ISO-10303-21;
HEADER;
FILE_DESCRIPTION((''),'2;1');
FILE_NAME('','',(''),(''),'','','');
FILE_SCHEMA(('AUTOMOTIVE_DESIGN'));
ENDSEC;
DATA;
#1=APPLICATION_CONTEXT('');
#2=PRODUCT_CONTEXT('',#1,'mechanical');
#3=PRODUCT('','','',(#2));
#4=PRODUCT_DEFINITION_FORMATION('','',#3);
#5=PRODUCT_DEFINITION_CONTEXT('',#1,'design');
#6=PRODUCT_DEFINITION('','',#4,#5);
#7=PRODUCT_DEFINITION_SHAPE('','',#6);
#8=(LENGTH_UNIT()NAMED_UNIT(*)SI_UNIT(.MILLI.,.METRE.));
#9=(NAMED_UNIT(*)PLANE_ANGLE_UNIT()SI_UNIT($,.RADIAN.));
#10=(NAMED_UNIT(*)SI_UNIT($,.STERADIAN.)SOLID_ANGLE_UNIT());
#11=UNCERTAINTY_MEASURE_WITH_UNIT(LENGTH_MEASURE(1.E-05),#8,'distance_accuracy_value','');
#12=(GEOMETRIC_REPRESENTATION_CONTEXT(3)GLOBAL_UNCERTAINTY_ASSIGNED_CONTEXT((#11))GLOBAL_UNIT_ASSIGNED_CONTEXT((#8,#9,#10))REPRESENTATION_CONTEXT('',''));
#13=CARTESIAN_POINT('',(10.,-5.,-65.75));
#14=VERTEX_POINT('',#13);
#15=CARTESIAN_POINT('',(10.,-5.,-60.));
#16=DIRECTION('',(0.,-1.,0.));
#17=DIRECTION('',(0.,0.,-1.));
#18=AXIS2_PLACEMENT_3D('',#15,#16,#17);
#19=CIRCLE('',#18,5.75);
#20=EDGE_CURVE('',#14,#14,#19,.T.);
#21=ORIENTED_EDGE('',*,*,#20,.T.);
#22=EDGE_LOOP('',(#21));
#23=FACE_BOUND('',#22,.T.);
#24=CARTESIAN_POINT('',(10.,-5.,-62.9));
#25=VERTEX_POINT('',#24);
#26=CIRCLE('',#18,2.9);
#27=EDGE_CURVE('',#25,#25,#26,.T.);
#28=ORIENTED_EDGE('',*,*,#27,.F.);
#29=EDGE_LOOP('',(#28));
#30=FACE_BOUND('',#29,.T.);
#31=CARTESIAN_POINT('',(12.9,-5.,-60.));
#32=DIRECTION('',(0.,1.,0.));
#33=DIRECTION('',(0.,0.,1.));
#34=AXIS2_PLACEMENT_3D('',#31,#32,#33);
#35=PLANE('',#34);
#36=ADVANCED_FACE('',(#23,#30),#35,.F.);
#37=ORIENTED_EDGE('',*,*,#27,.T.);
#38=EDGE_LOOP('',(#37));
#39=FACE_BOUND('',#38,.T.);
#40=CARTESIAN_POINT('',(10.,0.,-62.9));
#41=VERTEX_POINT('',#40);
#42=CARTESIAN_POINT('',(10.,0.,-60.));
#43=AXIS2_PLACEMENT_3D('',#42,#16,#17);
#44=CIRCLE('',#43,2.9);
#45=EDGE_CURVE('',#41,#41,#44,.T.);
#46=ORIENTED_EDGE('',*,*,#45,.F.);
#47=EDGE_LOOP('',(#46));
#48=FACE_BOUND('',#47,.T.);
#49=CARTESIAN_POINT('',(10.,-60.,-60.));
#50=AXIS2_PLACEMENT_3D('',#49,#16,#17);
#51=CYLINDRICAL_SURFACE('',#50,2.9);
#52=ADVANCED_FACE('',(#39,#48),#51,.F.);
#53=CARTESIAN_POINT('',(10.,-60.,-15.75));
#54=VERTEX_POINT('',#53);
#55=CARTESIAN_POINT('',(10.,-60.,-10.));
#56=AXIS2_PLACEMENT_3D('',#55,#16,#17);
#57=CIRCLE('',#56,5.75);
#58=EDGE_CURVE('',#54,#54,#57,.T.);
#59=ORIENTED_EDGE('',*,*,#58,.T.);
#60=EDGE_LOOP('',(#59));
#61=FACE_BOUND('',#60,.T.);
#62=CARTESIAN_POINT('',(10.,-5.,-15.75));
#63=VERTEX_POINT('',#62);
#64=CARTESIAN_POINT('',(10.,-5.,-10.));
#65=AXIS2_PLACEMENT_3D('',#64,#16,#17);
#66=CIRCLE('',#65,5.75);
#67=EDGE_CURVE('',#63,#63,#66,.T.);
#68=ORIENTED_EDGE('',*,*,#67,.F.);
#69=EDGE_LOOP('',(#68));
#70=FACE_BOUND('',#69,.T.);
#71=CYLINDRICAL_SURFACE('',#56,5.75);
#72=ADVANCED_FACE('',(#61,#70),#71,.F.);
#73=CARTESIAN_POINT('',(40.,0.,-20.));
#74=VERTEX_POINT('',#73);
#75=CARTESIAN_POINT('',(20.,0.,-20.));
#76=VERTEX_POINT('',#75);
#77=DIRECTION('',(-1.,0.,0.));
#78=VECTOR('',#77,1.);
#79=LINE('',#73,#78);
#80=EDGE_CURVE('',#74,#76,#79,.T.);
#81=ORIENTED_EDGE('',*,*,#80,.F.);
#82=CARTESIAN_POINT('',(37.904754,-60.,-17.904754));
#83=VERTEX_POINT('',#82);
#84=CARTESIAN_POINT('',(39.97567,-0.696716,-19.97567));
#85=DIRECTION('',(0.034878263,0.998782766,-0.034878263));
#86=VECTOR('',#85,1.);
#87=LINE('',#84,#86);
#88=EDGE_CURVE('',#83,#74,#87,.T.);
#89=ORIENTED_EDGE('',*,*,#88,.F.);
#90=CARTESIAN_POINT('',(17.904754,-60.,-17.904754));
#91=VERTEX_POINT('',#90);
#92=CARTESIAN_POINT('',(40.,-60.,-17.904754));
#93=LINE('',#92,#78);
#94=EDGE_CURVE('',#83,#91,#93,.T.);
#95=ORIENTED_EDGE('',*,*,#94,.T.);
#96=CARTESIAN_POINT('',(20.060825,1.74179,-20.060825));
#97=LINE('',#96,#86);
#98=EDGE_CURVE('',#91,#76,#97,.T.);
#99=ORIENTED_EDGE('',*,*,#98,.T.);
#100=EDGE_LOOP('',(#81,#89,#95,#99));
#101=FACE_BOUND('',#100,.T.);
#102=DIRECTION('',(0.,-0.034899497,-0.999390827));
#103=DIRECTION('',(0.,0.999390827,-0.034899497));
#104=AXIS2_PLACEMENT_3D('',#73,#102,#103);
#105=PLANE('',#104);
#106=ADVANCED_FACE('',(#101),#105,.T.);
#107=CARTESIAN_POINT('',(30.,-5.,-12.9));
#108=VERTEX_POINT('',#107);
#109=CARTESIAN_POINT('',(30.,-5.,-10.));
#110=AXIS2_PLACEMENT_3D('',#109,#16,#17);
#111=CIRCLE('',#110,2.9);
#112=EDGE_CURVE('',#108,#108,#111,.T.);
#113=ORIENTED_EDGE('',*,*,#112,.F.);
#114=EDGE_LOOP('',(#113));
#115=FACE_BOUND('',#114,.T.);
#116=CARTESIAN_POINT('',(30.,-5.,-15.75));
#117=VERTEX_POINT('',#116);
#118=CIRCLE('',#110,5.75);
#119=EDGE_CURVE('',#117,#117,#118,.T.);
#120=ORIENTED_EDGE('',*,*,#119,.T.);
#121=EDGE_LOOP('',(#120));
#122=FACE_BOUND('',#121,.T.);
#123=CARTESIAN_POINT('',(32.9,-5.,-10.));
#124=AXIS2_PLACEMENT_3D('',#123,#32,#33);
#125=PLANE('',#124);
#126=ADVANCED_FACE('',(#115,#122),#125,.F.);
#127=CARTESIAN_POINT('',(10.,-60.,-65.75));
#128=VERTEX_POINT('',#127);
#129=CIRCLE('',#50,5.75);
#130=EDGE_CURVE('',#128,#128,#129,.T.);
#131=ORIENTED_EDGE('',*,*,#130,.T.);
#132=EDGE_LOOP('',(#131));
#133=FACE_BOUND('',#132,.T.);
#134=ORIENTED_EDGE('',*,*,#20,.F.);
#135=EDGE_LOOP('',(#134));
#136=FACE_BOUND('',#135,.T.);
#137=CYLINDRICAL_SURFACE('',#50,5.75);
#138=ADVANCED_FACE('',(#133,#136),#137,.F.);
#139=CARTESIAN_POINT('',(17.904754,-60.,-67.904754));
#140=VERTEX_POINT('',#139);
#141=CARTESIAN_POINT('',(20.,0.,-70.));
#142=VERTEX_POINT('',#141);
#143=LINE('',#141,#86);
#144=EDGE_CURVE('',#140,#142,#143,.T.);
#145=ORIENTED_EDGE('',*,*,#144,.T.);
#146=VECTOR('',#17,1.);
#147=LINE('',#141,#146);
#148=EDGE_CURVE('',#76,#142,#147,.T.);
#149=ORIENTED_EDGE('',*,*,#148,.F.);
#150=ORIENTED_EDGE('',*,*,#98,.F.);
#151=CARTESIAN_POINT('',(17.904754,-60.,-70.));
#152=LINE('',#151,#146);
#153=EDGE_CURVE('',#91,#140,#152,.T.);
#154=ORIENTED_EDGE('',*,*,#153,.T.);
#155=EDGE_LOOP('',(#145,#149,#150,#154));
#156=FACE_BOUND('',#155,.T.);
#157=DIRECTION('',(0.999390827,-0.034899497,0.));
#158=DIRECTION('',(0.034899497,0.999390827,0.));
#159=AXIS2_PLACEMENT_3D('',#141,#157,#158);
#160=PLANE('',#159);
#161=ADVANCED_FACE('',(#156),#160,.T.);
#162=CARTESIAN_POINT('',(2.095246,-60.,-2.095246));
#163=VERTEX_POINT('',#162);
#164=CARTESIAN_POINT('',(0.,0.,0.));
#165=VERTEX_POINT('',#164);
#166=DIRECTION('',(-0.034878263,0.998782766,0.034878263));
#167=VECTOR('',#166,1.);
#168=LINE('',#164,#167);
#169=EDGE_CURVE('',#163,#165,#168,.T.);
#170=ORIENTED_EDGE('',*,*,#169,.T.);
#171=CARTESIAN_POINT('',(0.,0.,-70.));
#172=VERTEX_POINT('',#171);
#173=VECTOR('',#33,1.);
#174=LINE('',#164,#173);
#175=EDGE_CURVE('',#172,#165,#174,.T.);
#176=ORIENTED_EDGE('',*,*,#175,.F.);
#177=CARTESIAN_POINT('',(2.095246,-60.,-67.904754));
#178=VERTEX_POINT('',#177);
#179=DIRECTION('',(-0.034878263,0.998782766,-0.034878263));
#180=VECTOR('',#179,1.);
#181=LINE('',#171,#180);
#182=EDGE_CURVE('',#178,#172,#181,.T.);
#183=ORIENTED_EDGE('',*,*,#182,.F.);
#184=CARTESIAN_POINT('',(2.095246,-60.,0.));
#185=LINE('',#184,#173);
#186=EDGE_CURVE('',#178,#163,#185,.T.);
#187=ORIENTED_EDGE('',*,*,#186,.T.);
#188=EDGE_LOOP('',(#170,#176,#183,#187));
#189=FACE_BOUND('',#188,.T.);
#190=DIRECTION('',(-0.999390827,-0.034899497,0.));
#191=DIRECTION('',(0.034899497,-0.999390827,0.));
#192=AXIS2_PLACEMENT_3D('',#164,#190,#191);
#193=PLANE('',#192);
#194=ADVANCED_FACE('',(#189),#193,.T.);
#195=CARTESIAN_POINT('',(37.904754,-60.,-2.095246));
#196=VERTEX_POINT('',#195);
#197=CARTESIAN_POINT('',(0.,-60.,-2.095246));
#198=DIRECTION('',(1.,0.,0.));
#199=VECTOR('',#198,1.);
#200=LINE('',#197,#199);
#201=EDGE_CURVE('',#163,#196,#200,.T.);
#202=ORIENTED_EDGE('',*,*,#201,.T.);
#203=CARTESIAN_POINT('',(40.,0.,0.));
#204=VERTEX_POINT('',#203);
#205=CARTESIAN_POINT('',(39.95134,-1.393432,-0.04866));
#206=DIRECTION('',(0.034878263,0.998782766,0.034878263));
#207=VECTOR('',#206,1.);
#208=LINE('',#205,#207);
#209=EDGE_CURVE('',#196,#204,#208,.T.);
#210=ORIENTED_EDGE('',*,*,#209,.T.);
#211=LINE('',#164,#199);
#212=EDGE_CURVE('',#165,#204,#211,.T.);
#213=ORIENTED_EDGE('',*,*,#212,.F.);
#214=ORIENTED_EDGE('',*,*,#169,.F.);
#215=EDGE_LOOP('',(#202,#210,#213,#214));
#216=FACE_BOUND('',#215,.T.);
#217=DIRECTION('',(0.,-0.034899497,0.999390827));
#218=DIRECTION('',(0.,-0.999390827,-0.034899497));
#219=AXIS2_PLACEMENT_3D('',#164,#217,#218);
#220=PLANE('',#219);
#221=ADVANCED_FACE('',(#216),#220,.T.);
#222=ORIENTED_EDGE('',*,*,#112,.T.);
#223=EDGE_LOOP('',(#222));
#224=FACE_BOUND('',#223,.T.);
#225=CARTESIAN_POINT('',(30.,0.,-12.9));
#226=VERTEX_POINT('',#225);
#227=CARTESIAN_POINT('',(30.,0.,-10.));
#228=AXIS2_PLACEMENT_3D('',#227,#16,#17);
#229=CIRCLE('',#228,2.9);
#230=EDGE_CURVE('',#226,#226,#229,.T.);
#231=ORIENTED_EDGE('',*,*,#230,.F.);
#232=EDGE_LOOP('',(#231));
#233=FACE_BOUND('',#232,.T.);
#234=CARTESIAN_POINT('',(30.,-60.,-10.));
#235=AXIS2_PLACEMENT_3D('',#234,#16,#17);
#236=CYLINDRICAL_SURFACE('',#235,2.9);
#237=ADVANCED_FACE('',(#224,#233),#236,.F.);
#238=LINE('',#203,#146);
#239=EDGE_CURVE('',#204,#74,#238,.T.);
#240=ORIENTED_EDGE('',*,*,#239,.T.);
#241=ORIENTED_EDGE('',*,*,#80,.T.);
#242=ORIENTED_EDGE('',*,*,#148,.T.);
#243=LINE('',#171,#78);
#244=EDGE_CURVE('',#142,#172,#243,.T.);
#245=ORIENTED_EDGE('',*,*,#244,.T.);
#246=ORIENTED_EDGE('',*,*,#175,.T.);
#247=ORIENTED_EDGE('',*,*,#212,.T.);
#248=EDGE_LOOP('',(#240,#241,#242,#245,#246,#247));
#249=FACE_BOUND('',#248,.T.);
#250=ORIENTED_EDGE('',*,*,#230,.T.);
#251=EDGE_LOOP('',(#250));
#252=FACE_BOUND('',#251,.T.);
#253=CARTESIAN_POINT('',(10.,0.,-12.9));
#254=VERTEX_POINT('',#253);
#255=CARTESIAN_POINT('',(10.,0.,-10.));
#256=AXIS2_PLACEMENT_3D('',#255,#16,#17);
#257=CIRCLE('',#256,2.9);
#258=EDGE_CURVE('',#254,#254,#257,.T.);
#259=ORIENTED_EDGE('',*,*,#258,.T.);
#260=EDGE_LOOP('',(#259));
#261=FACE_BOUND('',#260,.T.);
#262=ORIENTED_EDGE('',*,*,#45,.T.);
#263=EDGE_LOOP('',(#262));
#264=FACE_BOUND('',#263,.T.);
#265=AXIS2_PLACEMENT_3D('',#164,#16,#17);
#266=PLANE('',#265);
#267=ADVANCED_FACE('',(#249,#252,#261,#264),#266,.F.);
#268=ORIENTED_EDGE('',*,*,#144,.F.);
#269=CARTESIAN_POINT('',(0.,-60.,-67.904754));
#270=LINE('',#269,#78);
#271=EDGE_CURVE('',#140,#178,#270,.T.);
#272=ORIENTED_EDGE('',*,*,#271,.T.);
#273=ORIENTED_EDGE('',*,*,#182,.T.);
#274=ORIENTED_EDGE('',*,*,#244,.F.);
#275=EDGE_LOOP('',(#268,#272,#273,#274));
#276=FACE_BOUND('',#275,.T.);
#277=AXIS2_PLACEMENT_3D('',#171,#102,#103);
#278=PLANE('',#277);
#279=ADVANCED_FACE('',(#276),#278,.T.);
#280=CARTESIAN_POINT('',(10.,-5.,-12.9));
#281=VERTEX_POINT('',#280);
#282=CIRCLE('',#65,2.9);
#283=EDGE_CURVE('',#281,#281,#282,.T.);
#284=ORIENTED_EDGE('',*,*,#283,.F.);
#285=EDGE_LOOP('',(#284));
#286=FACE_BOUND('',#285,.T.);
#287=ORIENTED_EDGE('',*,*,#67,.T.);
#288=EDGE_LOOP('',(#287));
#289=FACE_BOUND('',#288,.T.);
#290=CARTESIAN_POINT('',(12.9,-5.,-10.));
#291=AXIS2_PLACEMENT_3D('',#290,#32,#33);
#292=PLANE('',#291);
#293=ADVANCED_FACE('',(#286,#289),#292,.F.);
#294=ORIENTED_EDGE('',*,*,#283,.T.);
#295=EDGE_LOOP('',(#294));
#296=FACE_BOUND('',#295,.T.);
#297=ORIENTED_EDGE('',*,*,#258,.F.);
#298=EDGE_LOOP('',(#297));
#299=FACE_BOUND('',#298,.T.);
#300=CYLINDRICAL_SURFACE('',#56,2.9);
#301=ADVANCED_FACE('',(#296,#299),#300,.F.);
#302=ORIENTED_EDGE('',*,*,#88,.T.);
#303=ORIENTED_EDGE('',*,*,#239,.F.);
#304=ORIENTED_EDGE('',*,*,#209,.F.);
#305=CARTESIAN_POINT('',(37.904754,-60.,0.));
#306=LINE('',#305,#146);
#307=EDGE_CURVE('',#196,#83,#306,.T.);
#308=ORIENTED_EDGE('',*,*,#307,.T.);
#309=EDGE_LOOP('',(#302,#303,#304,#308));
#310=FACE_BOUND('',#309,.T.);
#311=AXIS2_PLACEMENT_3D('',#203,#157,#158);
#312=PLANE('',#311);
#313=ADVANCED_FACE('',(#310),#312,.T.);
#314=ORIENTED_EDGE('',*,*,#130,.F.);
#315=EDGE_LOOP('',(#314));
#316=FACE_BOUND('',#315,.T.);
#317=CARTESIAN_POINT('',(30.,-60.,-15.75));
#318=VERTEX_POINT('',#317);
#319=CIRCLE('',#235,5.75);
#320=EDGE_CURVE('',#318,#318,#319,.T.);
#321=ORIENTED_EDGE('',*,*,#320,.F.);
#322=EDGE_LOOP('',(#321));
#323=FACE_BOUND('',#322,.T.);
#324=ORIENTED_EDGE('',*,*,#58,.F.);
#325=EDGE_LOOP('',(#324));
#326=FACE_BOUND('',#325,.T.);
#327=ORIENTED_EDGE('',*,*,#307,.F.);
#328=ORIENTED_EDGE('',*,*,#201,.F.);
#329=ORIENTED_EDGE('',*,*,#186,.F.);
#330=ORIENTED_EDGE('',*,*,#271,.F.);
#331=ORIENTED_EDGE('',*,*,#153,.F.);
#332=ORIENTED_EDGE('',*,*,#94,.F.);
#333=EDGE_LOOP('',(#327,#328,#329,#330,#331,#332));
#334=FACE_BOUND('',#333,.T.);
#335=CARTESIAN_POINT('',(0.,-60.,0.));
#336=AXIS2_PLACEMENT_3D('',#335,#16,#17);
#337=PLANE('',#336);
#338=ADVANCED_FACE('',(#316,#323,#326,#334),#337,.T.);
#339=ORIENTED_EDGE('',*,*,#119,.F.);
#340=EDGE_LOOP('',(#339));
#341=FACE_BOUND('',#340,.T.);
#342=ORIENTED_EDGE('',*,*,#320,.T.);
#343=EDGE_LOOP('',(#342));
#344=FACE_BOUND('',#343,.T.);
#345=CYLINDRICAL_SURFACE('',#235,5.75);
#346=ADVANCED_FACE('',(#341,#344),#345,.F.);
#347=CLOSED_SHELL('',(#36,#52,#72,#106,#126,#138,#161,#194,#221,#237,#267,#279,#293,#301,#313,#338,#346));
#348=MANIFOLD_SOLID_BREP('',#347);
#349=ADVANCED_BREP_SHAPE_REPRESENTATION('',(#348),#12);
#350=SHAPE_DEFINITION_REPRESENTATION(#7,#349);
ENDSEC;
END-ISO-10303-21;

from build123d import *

# Parameters (mm, degrees)
BOSS_EXTRUDE1_DEPTH             = 60
BOSS_EXTRUDE1_DRAFT             = -2
CBORE_FOR_M5_SBHCS2_D           = 5.8
CBORE_FOR_M5_SBHCS2_CBORE_D     = 11.5
CBORE_FOR_M5_SBHCS2_CBORE_DEPTH = 55


with BuildPart() as part:
    # Sketch1 → Boss-Extrude1 (with draft: the straight prism first)
    with BuildSketch(Plane(origin=(0, 0, 0), x_dir=(1, 0, 0), z_dir=(0, 1, 0))):
        Polygon((0, 0), (40, 0), (40, 20), (20, 20), (20, 70), (0, 70), align=None)
    extrude(amount=-BOSS_EXTRUDE1_DEPTH)
    # Boss-Extrude1: the draft: its side faces are tilted about the plane it starts from
    boss_extrude1_sides = [part.faces().sort_by_distance(p)[0] for p in [
        (20, -30, 0),
        (40, -30, -10),
        (30, -30, -20),
        (20, -30, -45),
        (10, -30, -70),
        (0, -30, -35),
    ]]
    draft(boss_extrude1_sides, Plane(origin=(0, 0, 0), x_dir=(1, 0, 0), z_dir=(0, 1, 0)), BOSS_EXTRUDE1_DRAFT)

    # CBORE for M5 SBHCS2 (through all)
    with Locations(Plane(origin=(0, -60, 0), x_dir=(-1, 0, 0), z_dir=(0, -1, 0))):
        with Locations((-30, 10), (-10, 10), (-10.000000001, 60)):
            CounterBoreHole(CBORE_FOR_M5_SBHCS2_D / 2, CBORE_FOR_M5_SBHCS2_CBORE_D / 2, CBORE_FOR_M5_SBHCS2_CBORE_DEPTH)


solid = part.part
